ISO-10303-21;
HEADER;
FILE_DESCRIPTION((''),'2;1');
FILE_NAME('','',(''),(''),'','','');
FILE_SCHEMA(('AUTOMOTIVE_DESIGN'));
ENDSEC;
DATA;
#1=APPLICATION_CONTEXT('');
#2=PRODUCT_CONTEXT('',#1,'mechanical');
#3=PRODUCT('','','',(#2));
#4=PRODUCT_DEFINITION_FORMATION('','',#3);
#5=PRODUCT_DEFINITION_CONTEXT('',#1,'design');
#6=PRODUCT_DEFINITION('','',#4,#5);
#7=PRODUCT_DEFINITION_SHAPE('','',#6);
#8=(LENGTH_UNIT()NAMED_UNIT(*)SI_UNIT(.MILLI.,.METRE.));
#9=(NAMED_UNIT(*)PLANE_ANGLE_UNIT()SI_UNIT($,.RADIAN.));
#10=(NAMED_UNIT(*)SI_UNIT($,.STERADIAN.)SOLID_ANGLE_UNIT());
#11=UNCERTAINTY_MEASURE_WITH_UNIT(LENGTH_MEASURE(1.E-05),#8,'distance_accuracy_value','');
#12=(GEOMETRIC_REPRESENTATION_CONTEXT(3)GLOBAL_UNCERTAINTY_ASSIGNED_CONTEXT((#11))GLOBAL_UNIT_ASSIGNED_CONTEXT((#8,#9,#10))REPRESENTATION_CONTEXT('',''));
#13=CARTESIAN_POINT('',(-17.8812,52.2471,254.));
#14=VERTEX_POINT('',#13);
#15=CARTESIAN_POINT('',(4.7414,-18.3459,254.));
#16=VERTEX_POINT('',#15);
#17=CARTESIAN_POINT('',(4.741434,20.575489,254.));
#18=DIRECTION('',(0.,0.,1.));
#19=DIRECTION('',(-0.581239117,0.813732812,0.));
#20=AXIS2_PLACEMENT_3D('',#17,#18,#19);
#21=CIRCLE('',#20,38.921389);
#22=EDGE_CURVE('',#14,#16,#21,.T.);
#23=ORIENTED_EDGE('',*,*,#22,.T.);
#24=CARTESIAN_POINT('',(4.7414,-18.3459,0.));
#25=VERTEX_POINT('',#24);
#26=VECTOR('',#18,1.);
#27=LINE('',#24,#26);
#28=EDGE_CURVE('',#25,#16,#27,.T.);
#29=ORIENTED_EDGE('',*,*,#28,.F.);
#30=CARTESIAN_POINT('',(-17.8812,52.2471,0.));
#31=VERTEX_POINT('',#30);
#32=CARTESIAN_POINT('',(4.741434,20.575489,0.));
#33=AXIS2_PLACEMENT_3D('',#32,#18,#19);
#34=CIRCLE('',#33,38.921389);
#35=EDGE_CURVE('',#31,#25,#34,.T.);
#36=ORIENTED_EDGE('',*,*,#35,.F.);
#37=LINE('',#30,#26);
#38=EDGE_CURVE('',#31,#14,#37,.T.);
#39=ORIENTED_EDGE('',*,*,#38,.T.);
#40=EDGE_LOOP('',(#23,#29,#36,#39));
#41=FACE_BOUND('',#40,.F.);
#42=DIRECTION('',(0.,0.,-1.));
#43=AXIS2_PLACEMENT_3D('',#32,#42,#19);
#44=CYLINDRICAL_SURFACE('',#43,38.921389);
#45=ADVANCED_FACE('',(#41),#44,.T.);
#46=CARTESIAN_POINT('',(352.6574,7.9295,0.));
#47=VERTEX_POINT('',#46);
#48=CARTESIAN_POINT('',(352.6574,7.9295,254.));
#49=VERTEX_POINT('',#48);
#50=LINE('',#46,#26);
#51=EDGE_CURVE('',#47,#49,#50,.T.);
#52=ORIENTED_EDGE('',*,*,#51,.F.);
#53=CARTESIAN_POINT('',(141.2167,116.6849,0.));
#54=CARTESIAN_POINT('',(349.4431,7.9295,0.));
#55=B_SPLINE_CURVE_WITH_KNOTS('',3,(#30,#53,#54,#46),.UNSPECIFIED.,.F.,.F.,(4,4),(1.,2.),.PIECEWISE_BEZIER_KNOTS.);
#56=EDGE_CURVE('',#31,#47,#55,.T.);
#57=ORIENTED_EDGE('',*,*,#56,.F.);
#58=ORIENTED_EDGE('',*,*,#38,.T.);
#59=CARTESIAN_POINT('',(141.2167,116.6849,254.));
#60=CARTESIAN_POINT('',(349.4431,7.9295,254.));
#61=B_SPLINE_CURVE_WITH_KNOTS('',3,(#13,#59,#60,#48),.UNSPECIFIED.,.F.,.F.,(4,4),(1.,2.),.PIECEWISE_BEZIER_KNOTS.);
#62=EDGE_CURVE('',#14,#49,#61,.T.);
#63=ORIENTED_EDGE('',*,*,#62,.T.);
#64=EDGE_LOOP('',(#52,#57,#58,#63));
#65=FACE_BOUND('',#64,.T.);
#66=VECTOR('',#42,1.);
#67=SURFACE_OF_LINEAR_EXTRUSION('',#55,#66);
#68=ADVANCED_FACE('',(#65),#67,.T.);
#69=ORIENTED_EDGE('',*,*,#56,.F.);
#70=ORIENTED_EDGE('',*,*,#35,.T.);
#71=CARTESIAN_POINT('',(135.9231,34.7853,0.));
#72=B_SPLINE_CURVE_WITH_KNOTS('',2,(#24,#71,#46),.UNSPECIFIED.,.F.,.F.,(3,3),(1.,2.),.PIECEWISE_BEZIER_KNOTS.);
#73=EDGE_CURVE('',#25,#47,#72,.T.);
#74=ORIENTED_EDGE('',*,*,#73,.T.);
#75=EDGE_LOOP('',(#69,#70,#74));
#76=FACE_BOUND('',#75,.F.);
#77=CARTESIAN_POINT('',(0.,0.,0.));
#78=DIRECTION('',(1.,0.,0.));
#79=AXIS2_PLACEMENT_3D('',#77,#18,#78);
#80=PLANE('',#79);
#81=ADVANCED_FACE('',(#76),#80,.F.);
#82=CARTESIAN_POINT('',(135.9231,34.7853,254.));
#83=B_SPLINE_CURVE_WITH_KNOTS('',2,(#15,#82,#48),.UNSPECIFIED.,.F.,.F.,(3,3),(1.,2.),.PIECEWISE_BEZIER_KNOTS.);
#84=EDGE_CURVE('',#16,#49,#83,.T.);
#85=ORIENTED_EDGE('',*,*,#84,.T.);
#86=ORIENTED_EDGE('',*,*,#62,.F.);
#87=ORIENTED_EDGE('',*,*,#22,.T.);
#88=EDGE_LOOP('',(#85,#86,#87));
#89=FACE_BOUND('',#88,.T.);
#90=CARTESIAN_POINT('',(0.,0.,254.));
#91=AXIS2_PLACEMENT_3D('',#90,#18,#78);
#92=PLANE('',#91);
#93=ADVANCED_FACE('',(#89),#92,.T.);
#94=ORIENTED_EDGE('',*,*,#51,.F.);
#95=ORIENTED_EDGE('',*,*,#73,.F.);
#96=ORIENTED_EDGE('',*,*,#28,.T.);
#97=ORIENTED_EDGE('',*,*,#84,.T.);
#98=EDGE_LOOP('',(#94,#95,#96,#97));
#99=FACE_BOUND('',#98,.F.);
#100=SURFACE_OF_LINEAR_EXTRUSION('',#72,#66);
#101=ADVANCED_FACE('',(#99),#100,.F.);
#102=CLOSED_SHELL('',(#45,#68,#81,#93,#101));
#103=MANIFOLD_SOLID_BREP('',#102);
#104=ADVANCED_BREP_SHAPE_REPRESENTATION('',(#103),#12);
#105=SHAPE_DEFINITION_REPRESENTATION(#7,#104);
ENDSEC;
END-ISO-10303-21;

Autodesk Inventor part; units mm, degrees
ref_plane "YZ Plane" through (0, 0, 0) normal (1, 0, 0) x (0, 1, 0)
ref_plane "XZ Plane" through (0, 0, 0) normal (0, 1, 0) x (-1, 0, 0)
ref_plane "XY Plane" through (0, 0, 0) normal (0, 0, 1) x (1, 0, 0)
sketch "Sketch1" plane through (0, 0, 0) normal (0, 0, 1) x (1, 0, 0)
  arc A0 (-17.8812, 52.2471) -> (4.7414, -18.3459) centre (4.7414, 20.5755) ccw
  line L0 (-17.8812, 52.2471) -> (141.2167, 116.6849) construction
  line L1 (141.2167, 116.6849) -> (349.4431, 7.9295) construction
  line L2 (349.4431, 7.9295) -> (352.6574, 7.9295) construction
  spline S0 degree 3 poles (-17.8812, 52.2471) (141.2167, 116.6849) (349.4431, 7.9295) (352.6574, 7.9295) knots 1 1 1 1 2 2 2 2
  line L3 (4.7414, -18.3459) -> (135.9231, 34.7853) construction
  line L4 (135.9231, 34.7853) -> (352.6574, 7.9295) construction
  spline S1 degree 2 poles (4.7414, -18.3459) (135.9231, 34.7853) (352.6574, 7.9295) knots 1 1 1 2 2 2
  point P0 (0, 0)
extrude "Extrusion1" add sketch "Sketch1" along normal blind 254
properties part number "PALE"
